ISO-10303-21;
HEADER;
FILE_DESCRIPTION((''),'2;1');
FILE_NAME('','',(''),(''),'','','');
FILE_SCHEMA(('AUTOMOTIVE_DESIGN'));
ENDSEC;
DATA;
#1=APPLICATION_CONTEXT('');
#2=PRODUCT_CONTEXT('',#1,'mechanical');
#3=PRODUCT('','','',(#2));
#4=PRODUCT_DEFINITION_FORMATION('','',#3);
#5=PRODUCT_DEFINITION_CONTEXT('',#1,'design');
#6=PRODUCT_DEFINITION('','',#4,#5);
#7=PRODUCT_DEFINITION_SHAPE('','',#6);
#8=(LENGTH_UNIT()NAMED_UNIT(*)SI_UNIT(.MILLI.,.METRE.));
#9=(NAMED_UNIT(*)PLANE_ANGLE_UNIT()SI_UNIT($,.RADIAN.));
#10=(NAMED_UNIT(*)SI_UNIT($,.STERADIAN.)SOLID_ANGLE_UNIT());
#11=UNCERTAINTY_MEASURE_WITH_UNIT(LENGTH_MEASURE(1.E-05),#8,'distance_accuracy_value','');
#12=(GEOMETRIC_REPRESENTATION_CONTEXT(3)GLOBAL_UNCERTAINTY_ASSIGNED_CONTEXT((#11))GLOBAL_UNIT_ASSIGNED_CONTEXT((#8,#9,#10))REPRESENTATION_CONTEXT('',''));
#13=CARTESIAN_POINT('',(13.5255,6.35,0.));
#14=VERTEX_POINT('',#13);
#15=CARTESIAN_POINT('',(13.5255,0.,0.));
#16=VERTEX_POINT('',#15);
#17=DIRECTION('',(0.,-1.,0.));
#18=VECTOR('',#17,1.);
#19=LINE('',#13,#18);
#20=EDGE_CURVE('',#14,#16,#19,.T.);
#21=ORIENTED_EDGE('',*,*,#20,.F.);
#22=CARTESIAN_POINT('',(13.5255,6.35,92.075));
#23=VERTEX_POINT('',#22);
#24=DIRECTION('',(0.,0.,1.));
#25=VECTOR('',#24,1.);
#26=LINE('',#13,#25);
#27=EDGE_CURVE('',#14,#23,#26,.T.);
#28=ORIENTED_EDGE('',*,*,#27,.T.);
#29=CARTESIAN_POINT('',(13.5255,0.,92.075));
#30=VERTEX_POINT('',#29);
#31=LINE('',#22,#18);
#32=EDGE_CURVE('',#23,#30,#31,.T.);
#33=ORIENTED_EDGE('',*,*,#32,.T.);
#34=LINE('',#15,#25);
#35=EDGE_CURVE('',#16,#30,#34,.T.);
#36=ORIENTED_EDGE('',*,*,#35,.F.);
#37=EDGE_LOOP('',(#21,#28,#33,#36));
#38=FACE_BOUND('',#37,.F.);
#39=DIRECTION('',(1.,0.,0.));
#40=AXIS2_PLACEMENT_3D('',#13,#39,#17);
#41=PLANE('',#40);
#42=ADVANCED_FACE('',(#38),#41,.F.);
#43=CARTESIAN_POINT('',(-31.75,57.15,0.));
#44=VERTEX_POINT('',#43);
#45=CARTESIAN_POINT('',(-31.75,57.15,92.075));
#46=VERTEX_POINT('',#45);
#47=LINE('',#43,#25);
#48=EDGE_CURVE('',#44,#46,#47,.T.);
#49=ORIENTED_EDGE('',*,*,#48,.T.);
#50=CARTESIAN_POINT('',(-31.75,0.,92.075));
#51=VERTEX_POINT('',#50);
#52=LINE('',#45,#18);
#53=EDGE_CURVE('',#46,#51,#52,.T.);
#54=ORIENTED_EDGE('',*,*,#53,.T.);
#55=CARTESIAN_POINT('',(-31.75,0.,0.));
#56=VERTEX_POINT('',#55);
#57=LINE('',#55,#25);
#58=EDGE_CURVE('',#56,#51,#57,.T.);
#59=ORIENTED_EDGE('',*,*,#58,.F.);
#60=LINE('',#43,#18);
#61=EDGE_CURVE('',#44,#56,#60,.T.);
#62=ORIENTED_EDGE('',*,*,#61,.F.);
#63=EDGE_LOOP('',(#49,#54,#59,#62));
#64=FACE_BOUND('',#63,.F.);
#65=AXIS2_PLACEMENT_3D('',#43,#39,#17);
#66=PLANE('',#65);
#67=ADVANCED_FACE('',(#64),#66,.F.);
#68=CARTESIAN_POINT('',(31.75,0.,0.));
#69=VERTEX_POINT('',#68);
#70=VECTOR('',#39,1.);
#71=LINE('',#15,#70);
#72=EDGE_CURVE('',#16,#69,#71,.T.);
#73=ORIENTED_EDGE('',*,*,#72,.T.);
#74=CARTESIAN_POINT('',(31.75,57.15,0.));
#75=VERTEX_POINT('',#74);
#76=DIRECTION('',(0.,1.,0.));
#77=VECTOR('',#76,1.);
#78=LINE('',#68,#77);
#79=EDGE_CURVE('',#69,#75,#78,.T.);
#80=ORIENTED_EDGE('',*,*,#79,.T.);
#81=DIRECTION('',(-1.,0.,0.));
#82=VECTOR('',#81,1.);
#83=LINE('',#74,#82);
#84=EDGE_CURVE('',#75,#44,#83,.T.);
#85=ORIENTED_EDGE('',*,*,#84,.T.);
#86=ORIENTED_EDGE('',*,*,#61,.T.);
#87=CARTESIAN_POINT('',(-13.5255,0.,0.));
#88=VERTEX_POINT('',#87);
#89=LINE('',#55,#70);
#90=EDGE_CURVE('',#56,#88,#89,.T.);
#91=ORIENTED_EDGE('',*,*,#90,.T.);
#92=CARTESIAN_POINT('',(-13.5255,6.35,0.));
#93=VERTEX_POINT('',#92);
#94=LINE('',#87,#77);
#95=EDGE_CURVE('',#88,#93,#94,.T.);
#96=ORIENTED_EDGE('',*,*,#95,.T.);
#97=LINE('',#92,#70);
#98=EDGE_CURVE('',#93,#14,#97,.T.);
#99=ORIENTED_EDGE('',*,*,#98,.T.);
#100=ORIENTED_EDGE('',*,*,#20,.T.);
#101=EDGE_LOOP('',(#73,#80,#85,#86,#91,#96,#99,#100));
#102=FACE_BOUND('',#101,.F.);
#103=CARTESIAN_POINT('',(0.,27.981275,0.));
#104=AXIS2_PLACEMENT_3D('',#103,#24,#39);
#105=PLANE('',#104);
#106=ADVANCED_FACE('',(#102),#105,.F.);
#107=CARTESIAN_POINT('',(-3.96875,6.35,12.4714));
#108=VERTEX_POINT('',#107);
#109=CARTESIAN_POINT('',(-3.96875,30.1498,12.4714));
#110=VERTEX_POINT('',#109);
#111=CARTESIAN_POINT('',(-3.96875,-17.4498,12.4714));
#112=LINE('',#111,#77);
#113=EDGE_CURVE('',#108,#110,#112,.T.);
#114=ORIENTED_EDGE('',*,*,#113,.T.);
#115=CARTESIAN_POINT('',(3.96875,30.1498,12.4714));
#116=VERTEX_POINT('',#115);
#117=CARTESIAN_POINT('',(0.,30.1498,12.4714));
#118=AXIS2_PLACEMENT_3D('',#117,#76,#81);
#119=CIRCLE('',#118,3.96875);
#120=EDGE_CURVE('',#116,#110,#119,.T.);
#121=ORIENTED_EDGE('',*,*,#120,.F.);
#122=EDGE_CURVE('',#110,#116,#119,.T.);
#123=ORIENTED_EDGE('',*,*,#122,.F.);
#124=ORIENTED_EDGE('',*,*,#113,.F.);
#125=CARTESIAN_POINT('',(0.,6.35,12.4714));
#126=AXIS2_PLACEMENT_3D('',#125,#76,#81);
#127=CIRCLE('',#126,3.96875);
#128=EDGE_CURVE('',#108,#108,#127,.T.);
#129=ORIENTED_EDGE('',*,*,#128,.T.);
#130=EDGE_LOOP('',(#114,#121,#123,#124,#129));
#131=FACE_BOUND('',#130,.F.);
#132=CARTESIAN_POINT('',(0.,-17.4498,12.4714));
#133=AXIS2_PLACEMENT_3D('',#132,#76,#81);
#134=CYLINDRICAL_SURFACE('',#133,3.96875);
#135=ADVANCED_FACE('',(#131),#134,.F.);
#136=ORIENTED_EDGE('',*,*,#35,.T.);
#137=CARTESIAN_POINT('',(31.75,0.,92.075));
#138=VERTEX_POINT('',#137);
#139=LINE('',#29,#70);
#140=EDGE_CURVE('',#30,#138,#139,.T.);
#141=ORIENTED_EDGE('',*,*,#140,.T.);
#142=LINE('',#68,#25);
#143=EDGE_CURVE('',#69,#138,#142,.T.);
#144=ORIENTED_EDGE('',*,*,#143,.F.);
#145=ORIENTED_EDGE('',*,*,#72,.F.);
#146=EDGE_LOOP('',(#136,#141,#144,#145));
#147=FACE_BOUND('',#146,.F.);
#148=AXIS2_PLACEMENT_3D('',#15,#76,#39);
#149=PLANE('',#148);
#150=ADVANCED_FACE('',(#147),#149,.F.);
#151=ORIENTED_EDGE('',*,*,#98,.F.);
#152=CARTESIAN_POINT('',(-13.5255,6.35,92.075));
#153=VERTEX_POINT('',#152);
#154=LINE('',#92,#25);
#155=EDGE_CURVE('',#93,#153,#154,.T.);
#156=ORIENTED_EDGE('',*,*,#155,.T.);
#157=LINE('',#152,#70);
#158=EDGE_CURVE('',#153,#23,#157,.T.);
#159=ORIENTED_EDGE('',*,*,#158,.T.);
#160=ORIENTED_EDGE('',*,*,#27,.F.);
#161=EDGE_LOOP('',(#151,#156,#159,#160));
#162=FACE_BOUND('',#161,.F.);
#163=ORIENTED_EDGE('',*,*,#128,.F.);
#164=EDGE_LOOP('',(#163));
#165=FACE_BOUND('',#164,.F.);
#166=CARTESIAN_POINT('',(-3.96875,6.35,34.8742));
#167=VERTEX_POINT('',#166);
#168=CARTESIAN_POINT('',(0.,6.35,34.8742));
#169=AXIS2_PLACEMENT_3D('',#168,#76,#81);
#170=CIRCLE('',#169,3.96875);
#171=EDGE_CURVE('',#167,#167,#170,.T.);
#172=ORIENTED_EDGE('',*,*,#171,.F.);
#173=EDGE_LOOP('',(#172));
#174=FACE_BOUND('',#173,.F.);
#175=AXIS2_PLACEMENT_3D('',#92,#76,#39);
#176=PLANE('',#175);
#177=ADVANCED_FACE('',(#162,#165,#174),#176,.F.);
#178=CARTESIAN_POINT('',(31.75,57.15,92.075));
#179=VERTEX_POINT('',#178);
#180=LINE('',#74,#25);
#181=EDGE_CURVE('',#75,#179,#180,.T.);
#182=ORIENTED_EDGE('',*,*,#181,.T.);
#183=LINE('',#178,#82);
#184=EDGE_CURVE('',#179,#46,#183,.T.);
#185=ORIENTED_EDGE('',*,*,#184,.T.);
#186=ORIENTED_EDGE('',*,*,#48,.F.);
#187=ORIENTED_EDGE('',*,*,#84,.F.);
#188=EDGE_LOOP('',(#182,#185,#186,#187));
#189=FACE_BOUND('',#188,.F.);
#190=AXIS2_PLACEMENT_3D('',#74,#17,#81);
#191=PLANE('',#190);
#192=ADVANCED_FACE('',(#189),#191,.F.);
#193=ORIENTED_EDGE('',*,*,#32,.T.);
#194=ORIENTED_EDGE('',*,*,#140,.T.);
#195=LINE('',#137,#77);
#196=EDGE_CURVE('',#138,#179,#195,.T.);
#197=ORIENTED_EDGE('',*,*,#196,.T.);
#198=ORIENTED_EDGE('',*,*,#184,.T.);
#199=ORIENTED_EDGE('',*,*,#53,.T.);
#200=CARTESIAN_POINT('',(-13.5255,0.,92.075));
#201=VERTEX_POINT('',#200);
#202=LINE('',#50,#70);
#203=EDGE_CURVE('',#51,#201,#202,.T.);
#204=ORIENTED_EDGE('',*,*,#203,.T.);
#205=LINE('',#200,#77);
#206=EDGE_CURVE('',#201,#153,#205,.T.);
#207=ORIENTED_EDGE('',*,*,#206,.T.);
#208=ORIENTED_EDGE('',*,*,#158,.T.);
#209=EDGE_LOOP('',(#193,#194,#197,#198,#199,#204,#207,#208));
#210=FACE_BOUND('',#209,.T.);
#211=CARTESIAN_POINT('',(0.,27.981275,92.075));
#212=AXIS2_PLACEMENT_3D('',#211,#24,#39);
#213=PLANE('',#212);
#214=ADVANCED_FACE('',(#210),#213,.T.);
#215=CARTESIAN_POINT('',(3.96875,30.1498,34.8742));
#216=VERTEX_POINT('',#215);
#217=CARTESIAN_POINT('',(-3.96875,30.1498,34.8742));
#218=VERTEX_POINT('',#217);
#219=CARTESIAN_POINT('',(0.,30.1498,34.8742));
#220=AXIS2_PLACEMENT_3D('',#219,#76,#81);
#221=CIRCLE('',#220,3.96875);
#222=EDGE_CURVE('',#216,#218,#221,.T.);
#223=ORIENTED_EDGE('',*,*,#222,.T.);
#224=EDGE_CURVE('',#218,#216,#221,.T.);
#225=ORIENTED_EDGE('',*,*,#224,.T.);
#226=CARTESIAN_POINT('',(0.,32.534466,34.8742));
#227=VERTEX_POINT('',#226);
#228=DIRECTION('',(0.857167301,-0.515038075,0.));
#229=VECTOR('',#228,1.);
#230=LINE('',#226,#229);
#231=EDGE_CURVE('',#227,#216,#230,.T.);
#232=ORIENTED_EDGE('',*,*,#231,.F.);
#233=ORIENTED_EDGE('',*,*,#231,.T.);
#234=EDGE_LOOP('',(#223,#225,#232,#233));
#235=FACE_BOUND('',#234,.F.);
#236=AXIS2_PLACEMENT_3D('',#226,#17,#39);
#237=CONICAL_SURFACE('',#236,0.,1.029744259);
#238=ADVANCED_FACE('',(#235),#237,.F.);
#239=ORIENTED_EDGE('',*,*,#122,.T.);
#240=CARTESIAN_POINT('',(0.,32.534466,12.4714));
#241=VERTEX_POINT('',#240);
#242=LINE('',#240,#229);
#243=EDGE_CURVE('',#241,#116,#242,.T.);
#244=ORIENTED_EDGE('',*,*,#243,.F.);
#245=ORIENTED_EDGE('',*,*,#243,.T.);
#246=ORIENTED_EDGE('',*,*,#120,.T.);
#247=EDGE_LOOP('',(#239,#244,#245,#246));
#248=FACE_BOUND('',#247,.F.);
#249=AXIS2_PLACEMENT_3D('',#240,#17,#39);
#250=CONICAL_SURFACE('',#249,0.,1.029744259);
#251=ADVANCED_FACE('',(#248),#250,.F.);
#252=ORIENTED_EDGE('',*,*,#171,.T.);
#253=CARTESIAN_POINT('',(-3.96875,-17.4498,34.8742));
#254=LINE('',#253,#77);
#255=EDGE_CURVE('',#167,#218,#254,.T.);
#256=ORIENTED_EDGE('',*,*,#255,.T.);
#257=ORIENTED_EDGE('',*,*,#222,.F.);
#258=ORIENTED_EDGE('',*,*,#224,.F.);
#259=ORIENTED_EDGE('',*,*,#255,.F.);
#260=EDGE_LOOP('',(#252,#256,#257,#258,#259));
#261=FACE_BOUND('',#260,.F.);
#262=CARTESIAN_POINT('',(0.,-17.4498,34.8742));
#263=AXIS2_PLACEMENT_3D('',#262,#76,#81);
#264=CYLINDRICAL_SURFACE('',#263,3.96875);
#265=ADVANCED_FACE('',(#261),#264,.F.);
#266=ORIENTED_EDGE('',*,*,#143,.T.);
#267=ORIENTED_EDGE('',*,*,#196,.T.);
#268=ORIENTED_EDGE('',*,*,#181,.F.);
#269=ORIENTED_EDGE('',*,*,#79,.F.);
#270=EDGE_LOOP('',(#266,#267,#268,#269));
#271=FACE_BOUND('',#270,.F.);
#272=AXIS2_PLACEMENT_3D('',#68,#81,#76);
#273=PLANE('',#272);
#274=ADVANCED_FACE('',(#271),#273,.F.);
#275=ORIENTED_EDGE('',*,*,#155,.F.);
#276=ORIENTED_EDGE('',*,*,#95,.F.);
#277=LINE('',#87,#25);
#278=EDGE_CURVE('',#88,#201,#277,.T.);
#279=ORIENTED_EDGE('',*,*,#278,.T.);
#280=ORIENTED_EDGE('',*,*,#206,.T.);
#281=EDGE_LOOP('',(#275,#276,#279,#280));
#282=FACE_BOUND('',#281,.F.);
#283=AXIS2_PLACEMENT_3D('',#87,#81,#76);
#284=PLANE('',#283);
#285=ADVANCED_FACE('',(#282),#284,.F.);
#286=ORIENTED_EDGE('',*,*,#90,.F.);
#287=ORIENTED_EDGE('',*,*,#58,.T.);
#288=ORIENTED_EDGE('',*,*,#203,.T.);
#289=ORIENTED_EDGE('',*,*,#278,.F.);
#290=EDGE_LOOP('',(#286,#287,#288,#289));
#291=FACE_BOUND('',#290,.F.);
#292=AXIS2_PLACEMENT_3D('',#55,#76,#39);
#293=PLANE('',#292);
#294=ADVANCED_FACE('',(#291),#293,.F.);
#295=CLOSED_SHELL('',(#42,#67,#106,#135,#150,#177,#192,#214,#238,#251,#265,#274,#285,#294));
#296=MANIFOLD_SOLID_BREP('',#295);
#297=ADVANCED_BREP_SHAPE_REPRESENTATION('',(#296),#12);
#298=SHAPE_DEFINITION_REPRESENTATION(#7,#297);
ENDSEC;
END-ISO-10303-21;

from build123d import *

# Parameters (mm, degrees)
F1_DEPTH = 92.075
F3_D     = 7.9375
F3_DEPTH = 23.7998
F3_TIP   = 2.3846655818


with BuildPart() as f1:
    # F0 (on Top) → F1 (new body)
    with BuildSketch(Plane.XY):
        Polygon((-31.75, 57.15), (-31.75, 0), (-13.5255, 0), (-13.5255, 6.35), (13.5255, 6.35), (13.5255, 0), (31.75, 0), (31.75, 57.15), align=None)
    extrude(amount=F1_DEPTH)

    # F3
    with Locations(Plane.XZ.offset(-6.35)):
        with Locations((0, 34.8742), (0, 12.4714)):
            Hole(F3_D / 2, depth=F3_DEPTH)
            with Locations((0, 0, -(F3_DEPTH + F3_TIP / 2))):  # 118° drill point
                Cone(0, F3_D / 2, F3_TIP, mode=Mode.SUBTRACT)


solid = f1.part
